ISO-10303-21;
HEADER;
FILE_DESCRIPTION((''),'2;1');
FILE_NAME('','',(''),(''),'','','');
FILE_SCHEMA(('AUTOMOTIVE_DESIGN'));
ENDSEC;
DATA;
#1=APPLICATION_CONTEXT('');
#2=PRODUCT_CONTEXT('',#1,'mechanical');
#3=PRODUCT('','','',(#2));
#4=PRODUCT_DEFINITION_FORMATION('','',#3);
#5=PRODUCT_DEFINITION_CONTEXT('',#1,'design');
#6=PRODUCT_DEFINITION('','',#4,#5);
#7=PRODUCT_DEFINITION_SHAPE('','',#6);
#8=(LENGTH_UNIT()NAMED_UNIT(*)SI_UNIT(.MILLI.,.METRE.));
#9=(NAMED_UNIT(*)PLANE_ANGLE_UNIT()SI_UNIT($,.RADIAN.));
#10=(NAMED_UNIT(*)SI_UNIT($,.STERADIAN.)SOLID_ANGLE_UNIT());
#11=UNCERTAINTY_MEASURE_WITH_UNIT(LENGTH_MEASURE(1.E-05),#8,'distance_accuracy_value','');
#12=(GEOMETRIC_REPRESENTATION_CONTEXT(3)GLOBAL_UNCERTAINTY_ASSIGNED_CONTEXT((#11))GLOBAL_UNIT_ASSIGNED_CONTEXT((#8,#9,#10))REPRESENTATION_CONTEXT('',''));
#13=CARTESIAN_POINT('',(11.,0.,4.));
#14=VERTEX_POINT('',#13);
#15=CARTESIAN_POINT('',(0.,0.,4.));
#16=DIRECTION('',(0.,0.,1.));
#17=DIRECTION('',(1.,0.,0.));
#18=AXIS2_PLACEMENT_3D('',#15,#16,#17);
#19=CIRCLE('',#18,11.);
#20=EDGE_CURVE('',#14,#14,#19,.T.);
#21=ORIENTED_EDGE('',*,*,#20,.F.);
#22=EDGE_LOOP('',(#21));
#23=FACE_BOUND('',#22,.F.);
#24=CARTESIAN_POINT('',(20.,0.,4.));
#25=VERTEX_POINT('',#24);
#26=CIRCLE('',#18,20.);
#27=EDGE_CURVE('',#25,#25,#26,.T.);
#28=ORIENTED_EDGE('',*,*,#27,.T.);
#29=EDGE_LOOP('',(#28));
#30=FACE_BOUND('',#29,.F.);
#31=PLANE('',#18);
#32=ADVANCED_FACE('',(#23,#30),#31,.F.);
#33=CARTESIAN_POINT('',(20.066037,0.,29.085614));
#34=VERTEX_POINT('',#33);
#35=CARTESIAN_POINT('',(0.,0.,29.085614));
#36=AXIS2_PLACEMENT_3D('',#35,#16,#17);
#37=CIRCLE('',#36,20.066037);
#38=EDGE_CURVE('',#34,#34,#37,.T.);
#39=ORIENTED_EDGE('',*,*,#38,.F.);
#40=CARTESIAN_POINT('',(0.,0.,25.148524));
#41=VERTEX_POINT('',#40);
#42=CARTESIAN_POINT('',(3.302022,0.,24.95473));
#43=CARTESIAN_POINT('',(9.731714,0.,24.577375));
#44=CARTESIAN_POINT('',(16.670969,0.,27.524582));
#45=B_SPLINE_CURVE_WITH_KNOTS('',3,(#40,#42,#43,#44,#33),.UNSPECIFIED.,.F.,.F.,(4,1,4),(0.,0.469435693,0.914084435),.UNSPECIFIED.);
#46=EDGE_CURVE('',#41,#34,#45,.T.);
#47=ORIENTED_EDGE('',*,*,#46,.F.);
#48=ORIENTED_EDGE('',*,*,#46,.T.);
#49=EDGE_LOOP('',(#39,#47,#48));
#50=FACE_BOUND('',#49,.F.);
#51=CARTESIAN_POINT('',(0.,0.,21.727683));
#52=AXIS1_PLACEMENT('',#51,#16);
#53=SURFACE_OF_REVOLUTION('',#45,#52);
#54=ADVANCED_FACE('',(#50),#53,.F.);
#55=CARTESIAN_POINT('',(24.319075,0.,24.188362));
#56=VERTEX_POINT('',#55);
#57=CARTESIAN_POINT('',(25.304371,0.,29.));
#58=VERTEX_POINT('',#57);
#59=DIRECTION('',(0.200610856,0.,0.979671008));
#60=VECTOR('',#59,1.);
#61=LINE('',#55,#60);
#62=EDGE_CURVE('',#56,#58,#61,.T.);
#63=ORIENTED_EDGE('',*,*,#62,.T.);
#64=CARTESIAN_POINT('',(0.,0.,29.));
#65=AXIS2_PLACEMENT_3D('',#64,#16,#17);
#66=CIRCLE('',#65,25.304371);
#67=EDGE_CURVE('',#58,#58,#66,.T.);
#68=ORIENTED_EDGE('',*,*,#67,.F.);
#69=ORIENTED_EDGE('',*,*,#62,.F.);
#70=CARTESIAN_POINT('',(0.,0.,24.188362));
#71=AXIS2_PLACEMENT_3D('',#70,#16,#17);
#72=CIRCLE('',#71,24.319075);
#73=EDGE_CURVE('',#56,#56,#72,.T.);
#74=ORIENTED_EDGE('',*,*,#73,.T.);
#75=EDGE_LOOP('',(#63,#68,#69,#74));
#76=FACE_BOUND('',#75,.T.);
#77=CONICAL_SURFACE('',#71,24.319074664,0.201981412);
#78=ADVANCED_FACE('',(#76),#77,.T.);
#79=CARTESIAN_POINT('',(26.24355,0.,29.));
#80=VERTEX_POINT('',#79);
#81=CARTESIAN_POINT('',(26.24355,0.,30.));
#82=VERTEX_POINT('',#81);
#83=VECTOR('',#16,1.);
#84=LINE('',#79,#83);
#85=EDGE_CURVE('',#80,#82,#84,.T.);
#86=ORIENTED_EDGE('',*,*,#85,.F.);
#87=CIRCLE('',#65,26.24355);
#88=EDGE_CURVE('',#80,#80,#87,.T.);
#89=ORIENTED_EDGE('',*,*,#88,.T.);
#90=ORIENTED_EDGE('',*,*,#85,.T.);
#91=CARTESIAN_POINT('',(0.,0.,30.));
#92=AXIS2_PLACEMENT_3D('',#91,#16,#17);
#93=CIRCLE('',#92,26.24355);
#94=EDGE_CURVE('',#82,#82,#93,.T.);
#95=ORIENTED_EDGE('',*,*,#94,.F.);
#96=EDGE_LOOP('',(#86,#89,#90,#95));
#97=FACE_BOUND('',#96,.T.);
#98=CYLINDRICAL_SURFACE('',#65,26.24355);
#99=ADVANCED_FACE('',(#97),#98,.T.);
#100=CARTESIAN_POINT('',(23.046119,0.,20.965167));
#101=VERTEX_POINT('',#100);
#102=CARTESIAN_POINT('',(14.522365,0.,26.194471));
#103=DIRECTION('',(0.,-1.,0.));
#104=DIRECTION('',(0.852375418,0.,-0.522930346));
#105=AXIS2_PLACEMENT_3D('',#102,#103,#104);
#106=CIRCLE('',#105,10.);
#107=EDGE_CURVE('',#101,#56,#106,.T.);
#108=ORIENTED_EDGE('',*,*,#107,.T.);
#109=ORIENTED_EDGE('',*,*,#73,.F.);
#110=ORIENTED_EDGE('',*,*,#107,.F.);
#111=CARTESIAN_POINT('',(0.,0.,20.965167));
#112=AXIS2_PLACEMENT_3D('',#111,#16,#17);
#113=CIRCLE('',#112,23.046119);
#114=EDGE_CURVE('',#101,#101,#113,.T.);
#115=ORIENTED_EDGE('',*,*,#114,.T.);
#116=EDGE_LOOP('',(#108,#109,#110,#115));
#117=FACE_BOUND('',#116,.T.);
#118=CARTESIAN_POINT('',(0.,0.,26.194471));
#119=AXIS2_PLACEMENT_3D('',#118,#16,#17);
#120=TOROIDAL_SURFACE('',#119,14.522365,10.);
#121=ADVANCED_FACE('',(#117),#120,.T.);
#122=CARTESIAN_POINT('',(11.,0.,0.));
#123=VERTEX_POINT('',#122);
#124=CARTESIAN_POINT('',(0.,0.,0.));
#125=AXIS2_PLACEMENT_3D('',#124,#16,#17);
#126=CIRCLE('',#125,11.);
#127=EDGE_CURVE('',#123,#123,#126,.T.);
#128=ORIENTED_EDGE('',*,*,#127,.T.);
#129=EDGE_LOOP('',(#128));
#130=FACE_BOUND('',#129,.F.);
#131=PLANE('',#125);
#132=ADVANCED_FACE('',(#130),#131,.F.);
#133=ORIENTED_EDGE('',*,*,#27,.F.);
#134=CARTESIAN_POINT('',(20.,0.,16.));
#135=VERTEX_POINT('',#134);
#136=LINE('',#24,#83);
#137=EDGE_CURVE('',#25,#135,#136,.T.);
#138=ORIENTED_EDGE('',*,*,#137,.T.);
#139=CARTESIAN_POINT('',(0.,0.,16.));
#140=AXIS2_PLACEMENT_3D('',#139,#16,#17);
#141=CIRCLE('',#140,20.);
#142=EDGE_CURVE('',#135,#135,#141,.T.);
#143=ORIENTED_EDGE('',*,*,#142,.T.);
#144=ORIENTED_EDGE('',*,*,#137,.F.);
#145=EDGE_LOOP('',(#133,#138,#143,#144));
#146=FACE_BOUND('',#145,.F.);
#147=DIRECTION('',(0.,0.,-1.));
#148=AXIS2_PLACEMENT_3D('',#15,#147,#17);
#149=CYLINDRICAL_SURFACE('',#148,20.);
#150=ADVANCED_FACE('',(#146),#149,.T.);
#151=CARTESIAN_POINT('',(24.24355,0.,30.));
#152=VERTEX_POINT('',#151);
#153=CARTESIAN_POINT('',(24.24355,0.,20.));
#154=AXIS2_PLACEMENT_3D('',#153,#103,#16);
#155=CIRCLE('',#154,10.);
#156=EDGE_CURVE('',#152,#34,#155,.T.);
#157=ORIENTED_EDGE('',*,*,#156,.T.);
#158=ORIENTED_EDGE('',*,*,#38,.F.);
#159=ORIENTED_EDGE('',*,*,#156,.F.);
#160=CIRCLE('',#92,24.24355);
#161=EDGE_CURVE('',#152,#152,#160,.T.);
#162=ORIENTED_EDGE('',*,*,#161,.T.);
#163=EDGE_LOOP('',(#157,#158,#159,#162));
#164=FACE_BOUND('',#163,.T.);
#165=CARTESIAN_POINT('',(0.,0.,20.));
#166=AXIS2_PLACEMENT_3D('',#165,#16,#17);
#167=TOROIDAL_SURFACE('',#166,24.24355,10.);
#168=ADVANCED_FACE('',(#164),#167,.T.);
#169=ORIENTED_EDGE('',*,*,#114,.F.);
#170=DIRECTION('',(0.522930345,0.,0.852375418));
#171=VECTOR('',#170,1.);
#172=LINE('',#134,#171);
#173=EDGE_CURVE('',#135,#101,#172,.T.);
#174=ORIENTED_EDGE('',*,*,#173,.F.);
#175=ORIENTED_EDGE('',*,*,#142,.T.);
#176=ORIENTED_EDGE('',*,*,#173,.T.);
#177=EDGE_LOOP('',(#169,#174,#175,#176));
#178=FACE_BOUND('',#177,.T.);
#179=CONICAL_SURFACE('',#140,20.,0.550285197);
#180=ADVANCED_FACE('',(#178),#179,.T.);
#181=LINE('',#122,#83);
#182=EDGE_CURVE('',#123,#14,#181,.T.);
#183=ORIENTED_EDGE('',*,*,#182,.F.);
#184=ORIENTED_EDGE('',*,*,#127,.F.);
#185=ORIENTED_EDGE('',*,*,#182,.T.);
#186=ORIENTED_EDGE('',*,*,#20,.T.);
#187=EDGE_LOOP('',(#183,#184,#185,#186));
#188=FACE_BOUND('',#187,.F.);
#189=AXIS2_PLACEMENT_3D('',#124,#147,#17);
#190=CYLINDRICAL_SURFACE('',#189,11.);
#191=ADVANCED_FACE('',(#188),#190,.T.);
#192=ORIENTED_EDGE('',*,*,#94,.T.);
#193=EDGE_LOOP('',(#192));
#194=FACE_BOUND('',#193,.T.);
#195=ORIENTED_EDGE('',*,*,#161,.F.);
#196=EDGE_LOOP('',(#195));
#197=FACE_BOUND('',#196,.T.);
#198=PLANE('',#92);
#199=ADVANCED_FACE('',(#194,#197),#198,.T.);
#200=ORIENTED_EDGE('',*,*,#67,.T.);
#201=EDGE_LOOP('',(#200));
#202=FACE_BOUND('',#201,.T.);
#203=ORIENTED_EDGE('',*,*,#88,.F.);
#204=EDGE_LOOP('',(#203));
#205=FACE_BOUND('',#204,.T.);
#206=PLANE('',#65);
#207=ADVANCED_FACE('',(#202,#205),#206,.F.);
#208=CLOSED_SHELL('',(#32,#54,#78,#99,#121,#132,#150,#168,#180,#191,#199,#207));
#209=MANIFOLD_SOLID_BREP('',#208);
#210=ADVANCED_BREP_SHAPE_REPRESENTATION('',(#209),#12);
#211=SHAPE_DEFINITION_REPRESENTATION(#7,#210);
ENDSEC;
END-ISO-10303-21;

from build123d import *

# Parameters (mm, degrees)
F0_R     = 11
F1_DEPTH = 4
F2_R     = 20
F2_R_2   = 11
F3_DEPTH = 12


with BuildPart() as f1:
    # F0 (on Top) → F1 (new body)
    with BuildSketch(Plane.XY):
        Circle(F0_R)
    extrude(amount=F1_DEPTH)

    # F2 (on face) → F3 (join)
    with BuildSketch(Plane.XY.offset(4)):
        Circle(F2_R)
        Circle(F2_R_2, mode=Mode.SUBTRACT)
        Circle(F2_R_2)
    extrude(amount=F3_DEPTH)

    # F4 (on Front) → F5 (revolve)
    with BuildSketch(Plane.XZ):
        with BuildLine():
            Line((26.2435501542, 30), (24.2435501542, 30))
            ThreePointArc((24.2435501542, 30), (22.1053432538, 29.7687292547), (20.066037294, 29.0856142502))
            add(Edge.make_bspline(
                [(0, 25.1485239714), (3.3020219353, 24.9547299716), (9.7317137995, 24.5773746031), (16.670969278, 27.5245816212), (20.066037294, 29.0856142502)],
                knots=[0, 0, 0, 0, 0.4694356931, 0.9140844354, 0.9140844354, 0.9140844354, 0.9140844354], degree=3))
            Line((0, 25.1485239714), (0, 16))
            Line((0, 16), (20, 16))
            Line((20, 16), (23.0461187635, 20.9651674984))
            ThreePointArc((23.0461187635, 20.9651674984), (23.82328384, 22.5212025281), (24.3190746637, 24.1883623971))
            Line((24.3190746637, 24.1883623971), (25.3043714911, 29))
            Line((25.3043714911, 29), (26.2435501542, 29))
            Line((26.2435501542, 29), (26.2435501542, 30))
        make_face()
    revolve(axis=Axis((0, 0, 21.7276830226), (0, 0, 1)))


solid = f1.part
